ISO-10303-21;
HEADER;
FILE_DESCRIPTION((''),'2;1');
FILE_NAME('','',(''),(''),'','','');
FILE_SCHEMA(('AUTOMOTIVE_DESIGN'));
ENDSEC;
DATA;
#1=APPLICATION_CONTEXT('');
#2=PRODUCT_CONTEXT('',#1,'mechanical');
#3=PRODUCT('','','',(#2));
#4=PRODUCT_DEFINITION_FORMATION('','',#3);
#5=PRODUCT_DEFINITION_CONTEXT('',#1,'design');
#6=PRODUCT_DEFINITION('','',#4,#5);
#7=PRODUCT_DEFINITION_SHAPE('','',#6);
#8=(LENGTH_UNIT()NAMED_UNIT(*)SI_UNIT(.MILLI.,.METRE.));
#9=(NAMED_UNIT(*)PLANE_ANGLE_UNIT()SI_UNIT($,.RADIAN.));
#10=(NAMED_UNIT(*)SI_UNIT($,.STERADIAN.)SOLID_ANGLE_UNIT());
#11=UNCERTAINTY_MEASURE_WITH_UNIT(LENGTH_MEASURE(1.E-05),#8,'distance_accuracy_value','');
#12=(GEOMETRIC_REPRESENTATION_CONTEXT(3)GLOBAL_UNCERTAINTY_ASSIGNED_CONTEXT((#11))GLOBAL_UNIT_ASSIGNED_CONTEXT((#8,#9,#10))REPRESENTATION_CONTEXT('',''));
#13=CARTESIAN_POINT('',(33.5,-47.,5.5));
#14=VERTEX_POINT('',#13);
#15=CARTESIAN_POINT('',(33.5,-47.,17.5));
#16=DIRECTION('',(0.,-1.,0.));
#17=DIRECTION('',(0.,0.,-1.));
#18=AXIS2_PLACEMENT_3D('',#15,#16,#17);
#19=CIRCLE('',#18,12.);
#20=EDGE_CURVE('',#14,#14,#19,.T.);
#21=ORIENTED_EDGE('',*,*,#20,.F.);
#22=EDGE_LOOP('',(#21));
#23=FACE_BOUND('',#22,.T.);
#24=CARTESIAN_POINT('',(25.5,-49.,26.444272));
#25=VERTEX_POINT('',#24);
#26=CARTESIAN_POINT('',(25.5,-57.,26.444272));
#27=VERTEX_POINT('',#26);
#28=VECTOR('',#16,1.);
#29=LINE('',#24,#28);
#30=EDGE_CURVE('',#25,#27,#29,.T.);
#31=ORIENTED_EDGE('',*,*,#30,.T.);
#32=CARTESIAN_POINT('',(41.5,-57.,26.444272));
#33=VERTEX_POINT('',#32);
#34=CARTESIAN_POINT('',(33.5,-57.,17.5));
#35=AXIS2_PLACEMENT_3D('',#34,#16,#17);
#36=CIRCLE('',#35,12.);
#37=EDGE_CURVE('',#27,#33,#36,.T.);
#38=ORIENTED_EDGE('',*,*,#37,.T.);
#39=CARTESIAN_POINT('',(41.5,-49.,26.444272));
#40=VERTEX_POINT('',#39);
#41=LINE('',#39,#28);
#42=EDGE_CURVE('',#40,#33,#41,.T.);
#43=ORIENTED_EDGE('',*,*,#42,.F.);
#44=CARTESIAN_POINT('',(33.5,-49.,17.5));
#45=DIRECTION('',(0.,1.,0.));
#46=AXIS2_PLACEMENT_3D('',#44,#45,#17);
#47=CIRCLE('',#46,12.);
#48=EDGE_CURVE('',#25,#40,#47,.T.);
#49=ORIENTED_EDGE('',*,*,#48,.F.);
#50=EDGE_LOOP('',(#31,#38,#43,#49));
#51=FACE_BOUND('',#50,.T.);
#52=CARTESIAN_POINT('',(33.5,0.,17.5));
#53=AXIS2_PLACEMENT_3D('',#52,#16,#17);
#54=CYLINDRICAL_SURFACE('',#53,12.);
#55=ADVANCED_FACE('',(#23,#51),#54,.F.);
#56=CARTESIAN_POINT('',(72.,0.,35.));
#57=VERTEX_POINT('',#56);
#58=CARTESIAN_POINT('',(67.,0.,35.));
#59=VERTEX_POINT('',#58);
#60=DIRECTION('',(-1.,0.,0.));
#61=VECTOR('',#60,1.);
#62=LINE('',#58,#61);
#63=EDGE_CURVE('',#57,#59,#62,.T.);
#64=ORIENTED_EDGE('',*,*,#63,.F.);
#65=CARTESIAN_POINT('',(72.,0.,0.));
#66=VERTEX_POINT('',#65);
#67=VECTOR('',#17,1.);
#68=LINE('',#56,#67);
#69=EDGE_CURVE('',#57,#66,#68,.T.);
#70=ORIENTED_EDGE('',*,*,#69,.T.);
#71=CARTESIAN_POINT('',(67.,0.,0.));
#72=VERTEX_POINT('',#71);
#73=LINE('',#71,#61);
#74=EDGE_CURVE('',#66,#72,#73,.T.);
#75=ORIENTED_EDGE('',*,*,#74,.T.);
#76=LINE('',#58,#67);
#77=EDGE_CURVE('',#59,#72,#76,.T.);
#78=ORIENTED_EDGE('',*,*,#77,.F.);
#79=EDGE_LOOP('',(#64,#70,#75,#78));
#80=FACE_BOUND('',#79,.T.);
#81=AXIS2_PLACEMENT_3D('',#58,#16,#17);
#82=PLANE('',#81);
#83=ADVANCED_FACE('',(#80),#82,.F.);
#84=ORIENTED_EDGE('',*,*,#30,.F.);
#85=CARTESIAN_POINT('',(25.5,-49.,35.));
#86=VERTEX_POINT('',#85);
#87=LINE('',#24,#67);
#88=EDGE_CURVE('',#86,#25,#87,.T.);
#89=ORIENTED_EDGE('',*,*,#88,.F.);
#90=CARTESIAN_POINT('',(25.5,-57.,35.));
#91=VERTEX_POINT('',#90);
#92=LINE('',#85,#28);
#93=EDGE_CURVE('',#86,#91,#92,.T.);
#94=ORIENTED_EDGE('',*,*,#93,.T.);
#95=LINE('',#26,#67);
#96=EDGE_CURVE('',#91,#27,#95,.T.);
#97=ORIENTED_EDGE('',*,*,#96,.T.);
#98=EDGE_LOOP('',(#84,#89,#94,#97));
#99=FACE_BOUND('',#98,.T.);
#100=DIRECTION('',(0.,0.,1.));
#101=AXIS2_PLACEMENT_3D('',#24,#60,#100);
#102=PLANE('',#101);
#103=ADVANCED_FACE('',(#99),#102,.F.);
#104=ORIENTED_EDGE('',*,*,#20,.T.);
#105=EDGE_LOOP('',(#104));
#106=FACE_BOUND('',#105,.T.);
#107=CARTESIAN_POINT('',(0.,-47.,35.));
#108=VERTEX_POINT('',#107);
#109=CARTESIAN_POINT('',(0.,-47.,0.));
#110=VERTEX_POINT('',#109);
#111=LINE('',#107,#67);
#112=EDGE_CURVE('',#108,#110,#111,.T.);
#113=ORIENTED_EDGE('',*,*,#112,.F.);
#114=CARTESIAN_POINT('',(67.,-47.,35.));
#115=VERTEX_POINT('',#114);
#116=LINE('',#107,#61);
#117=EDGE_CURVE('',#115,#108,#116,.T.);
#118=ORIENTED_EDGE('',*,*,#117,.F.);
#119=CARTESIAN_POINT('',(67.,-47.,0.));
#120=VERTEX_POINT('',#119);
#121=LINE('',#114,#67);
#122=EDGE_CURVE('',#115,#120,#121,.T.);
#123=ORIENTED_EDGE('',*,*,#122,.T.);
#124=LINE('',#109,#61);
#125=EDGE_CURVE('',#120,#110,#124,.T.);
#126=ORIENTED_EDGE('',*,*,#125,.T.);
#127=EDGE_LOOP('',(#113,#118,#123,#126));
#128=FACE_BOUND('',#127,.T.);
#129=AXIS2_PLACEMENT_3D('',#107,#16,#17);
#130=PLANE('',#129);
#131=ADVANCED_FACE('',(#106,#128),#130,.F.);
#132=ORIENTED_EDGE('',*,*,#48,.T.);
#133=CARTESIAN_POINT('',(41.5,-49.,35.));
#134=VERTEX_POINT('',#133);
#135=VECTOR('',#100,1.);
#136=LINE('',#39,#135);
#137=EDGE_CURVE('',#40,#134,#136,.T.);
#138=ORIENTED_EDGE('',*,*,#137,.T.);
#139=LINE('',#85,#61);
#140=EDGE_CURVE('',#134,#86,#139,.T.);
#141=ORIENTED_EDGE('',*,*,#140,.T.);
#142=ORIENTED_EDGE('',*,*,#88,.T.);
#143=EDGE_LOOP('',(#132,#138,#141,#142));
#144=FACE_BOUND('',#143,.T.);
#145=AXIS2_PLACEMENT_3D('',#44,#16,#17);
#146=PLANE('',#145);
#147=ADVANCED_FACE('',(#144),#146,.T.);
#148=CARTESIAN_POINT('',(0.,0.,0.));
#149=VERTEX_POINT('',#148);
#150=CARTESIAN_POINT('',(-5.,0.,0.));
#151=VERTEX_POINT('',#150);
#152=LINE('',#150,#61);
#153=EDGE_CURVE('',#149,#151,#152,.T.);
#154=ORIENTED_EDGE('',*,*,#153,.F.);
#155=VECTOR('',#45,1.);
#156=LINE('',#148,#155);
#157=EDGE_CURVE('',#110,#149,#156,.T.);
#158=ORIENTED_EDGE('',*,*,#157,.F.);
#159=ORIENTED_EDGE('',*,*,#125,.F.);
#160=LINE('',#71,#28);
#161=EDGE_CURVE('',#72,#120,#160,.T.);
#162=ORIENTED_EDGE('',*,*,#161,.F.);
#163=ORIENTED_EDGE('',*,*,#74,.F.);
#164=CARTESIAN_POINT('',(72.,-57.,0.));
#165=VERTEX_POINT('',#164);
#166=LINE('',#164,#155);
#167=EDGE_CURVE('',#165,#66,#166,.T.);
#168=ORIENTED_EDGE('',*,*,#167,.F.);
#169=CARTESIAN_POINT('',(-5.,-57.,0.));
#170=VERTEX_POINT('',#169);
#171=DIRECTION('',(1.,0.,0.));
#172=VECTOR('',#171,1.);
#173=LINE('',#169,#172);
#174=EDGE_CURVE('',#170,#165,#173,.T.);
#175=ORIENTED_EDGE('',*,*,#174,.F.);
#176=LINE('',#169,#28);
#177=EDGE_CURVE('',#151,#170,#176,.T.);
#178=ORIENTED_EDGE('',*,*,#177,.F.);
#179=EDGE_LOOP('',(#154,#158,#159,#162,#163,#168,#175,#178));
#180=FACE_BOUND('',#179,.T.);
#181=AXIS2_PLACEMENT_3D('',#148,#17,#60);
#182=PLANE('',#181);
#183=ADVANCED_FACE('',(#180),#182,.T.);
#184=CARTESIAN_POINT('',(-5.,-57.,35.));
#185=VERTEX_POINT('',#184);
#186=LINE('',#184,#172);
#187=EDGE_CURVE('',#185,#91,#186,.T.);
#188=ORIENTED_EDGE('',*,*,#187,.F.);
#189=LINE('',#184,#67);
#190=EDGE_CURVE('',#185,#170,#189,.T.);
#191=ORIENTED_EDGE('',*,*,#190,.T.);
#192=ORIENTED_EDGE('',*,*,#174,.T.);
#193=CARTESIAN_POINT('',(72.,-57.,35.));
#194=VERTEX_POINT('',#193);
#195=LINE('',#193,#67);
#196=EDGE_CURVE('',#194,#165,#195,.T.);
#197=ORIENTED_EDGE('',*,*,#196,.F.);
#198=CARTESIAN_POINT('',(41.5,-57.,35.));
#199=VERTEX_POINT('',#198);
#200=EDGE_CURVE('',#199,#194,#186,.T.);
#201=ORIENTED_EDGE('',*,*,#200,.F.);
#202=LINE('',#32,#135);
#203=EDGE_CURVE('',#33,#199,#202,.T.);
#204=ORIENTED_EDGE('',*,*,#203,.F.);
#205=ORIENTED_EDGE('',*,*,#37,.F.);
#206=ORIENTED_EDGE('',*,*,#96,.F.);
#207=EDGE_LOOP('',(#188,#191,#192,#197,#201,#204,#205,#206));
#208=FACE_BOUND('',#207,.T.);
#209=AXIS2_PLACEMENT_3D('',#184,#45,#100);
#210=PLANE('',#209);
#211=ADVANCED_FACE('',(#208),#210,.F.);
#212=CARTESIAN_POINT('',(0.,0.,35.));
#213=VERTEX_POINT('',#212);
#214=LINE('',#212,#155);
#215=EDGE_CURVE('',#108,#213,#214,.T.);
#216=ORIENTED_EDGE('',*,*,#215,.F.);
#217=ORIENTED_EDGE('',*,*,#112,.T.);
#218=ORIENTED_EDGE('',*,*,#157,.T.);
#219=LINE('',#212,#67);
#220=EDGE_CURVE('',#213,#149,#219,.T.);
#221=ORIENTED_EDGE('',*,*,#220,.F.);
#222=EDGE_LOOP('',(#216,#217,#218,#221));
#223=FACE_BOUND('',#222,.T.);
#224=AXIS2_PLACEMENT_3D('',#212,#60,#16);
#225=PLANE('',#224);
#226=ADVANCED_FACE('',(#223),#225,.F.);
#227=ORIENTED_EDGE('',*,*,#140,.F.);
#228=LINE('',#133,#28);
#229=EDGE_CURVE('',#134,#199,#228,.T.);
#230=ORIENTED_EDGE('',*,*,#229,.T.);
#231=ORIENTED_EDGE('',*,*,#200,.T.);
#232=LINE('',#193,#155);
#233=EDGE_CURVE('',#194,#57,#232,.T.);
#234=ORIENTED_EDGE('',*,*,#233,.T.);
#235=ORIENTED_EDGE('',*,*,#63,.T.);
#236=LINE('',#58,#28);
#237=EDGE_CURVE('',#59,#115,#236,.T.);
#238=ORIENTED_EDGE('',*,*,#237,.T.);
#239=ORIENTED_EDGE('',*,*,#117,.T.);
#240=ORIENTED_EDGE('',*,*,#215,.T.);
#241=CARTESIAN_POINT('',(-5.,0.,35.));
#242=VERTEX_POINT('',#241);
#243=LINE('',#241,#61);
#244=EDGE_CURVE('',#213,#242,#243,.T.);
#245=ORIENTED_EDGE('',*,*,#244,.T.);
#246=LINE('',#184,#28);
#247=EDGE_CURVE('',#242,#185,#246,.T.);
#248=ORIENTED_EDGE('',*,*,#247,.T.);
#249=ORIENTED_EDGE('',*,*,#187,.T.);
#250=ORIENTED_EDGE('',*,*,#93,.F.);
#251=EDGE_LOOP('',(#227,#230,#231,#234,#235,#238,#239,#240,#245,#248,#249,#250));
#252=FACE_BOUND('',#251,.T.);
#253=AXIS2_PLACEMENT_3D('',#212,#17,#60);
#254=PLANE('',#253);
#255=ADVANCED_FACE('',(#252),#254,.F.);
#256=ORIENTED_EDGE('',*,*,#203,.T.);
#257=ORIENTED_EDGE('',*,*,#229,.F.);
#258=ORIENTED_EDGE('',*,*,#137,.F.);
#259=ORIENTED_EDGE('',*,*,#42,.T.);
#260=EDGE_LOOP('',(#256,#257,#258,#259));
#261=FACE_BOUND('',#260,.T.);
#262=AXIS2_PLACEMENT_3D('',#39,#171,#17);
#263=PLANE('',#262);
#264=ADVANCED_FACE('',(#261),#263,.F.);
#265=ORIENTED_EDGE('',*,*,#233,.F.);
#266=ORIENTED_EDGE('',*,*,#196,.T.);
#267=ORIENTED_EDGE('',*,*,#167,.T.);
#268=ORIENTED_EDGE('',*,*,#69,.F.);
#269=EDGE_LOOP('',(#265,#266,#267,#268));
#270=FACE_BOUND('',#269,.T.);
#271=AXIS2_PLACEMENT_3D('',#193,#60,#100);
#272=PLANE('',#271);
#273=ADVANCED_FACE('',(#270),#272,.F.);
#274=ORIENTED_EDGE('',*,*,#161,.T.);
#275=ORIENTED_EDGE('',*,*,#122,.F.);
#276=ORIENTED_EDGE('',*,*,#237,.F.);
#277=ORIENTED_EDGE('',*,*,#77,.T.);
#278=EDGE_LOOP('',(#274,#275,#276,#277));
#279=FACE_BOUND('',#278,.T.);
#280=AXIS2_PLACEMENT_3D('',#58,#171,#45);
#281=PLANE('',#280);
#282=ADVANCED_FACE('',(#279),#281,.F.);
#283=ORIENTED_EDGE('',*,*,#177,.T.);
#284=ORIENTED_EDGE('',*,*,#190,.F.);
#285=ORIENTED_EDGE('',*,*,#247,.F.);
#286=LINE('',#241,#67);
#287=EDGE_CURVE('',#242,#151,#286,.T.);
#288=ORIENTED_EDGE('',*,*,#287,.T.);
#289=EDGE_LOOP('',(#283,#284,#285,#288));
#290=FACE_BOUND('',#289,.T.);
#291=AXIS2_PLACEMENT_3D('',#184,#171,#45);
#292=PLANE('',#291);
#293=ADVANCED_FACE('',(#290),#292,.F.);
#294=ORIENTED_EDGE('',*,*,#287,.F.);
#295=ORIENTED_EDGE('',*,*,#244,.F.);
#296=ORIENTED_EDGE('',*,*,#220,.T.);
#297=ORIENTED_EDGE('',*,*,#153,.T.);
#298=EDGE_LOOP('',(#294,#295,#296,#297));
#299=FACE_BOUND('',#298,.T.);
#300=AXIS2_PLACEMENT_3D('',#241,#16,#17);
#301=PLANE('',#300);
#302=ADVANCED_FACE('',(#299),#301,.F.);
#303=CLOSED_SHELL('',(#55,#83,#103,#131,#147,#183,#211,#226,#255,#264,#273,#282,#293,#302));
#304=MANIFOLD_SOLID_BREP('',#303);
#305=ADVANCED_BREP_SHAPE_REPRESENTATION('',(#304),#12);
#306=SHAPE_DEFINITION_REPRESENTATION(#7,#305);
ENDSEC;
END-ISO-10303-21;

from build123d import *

# Parameters (mm, degrees)
EXTRUSION1_DEPTH = 35
ESQUISSE2_R      = 12
EXTRUSION2_DEPTH = 58
EXTRUSION3_DEPTH = 8


with BuildPart() as part:
    # Esquisse1 → Extrusion1 (new body)
    with BuildSketch(Plane.XY):
        Polygon((72, -57), (72, 0), (67, 0), (67, -47), (0, -47), (0, 0), (-5, 0), (-5, -57), align=None)
    extrude(amount=EXTRUSION1_DEPTH)

    # Esquisse2 → Extrusion2 (cut, through all)
    with BuildSketch(Plane.XZ.offset(57)):
        with Locations((33.5, 17.5)):
            Circle(ESQUISSE2_R)
    extrude(amount=-EXTRUSION2_DEPTH, mode=Mode.SUBTRACT)

    # Esquisse3 → Extrusion3 (cut)
    with BuildSketch(Plane.XZ.offset(57)):
        with BuildLine():
            Line((41.5, 26.44427191), (41.5, 35))
            Line((41.5, 35), (25.5, 35))
            Line((25.5, 35), (25.5, 26.44427191))
            ThreePointArc((25.5, 26.44427191), (33.5, 29.5), (41.5, 26.44427191))
        make_face()
    extrude(amount=-EXTRUSION3_DEPTH, mode=Mode.SUBTRACT)


solid = part.part
